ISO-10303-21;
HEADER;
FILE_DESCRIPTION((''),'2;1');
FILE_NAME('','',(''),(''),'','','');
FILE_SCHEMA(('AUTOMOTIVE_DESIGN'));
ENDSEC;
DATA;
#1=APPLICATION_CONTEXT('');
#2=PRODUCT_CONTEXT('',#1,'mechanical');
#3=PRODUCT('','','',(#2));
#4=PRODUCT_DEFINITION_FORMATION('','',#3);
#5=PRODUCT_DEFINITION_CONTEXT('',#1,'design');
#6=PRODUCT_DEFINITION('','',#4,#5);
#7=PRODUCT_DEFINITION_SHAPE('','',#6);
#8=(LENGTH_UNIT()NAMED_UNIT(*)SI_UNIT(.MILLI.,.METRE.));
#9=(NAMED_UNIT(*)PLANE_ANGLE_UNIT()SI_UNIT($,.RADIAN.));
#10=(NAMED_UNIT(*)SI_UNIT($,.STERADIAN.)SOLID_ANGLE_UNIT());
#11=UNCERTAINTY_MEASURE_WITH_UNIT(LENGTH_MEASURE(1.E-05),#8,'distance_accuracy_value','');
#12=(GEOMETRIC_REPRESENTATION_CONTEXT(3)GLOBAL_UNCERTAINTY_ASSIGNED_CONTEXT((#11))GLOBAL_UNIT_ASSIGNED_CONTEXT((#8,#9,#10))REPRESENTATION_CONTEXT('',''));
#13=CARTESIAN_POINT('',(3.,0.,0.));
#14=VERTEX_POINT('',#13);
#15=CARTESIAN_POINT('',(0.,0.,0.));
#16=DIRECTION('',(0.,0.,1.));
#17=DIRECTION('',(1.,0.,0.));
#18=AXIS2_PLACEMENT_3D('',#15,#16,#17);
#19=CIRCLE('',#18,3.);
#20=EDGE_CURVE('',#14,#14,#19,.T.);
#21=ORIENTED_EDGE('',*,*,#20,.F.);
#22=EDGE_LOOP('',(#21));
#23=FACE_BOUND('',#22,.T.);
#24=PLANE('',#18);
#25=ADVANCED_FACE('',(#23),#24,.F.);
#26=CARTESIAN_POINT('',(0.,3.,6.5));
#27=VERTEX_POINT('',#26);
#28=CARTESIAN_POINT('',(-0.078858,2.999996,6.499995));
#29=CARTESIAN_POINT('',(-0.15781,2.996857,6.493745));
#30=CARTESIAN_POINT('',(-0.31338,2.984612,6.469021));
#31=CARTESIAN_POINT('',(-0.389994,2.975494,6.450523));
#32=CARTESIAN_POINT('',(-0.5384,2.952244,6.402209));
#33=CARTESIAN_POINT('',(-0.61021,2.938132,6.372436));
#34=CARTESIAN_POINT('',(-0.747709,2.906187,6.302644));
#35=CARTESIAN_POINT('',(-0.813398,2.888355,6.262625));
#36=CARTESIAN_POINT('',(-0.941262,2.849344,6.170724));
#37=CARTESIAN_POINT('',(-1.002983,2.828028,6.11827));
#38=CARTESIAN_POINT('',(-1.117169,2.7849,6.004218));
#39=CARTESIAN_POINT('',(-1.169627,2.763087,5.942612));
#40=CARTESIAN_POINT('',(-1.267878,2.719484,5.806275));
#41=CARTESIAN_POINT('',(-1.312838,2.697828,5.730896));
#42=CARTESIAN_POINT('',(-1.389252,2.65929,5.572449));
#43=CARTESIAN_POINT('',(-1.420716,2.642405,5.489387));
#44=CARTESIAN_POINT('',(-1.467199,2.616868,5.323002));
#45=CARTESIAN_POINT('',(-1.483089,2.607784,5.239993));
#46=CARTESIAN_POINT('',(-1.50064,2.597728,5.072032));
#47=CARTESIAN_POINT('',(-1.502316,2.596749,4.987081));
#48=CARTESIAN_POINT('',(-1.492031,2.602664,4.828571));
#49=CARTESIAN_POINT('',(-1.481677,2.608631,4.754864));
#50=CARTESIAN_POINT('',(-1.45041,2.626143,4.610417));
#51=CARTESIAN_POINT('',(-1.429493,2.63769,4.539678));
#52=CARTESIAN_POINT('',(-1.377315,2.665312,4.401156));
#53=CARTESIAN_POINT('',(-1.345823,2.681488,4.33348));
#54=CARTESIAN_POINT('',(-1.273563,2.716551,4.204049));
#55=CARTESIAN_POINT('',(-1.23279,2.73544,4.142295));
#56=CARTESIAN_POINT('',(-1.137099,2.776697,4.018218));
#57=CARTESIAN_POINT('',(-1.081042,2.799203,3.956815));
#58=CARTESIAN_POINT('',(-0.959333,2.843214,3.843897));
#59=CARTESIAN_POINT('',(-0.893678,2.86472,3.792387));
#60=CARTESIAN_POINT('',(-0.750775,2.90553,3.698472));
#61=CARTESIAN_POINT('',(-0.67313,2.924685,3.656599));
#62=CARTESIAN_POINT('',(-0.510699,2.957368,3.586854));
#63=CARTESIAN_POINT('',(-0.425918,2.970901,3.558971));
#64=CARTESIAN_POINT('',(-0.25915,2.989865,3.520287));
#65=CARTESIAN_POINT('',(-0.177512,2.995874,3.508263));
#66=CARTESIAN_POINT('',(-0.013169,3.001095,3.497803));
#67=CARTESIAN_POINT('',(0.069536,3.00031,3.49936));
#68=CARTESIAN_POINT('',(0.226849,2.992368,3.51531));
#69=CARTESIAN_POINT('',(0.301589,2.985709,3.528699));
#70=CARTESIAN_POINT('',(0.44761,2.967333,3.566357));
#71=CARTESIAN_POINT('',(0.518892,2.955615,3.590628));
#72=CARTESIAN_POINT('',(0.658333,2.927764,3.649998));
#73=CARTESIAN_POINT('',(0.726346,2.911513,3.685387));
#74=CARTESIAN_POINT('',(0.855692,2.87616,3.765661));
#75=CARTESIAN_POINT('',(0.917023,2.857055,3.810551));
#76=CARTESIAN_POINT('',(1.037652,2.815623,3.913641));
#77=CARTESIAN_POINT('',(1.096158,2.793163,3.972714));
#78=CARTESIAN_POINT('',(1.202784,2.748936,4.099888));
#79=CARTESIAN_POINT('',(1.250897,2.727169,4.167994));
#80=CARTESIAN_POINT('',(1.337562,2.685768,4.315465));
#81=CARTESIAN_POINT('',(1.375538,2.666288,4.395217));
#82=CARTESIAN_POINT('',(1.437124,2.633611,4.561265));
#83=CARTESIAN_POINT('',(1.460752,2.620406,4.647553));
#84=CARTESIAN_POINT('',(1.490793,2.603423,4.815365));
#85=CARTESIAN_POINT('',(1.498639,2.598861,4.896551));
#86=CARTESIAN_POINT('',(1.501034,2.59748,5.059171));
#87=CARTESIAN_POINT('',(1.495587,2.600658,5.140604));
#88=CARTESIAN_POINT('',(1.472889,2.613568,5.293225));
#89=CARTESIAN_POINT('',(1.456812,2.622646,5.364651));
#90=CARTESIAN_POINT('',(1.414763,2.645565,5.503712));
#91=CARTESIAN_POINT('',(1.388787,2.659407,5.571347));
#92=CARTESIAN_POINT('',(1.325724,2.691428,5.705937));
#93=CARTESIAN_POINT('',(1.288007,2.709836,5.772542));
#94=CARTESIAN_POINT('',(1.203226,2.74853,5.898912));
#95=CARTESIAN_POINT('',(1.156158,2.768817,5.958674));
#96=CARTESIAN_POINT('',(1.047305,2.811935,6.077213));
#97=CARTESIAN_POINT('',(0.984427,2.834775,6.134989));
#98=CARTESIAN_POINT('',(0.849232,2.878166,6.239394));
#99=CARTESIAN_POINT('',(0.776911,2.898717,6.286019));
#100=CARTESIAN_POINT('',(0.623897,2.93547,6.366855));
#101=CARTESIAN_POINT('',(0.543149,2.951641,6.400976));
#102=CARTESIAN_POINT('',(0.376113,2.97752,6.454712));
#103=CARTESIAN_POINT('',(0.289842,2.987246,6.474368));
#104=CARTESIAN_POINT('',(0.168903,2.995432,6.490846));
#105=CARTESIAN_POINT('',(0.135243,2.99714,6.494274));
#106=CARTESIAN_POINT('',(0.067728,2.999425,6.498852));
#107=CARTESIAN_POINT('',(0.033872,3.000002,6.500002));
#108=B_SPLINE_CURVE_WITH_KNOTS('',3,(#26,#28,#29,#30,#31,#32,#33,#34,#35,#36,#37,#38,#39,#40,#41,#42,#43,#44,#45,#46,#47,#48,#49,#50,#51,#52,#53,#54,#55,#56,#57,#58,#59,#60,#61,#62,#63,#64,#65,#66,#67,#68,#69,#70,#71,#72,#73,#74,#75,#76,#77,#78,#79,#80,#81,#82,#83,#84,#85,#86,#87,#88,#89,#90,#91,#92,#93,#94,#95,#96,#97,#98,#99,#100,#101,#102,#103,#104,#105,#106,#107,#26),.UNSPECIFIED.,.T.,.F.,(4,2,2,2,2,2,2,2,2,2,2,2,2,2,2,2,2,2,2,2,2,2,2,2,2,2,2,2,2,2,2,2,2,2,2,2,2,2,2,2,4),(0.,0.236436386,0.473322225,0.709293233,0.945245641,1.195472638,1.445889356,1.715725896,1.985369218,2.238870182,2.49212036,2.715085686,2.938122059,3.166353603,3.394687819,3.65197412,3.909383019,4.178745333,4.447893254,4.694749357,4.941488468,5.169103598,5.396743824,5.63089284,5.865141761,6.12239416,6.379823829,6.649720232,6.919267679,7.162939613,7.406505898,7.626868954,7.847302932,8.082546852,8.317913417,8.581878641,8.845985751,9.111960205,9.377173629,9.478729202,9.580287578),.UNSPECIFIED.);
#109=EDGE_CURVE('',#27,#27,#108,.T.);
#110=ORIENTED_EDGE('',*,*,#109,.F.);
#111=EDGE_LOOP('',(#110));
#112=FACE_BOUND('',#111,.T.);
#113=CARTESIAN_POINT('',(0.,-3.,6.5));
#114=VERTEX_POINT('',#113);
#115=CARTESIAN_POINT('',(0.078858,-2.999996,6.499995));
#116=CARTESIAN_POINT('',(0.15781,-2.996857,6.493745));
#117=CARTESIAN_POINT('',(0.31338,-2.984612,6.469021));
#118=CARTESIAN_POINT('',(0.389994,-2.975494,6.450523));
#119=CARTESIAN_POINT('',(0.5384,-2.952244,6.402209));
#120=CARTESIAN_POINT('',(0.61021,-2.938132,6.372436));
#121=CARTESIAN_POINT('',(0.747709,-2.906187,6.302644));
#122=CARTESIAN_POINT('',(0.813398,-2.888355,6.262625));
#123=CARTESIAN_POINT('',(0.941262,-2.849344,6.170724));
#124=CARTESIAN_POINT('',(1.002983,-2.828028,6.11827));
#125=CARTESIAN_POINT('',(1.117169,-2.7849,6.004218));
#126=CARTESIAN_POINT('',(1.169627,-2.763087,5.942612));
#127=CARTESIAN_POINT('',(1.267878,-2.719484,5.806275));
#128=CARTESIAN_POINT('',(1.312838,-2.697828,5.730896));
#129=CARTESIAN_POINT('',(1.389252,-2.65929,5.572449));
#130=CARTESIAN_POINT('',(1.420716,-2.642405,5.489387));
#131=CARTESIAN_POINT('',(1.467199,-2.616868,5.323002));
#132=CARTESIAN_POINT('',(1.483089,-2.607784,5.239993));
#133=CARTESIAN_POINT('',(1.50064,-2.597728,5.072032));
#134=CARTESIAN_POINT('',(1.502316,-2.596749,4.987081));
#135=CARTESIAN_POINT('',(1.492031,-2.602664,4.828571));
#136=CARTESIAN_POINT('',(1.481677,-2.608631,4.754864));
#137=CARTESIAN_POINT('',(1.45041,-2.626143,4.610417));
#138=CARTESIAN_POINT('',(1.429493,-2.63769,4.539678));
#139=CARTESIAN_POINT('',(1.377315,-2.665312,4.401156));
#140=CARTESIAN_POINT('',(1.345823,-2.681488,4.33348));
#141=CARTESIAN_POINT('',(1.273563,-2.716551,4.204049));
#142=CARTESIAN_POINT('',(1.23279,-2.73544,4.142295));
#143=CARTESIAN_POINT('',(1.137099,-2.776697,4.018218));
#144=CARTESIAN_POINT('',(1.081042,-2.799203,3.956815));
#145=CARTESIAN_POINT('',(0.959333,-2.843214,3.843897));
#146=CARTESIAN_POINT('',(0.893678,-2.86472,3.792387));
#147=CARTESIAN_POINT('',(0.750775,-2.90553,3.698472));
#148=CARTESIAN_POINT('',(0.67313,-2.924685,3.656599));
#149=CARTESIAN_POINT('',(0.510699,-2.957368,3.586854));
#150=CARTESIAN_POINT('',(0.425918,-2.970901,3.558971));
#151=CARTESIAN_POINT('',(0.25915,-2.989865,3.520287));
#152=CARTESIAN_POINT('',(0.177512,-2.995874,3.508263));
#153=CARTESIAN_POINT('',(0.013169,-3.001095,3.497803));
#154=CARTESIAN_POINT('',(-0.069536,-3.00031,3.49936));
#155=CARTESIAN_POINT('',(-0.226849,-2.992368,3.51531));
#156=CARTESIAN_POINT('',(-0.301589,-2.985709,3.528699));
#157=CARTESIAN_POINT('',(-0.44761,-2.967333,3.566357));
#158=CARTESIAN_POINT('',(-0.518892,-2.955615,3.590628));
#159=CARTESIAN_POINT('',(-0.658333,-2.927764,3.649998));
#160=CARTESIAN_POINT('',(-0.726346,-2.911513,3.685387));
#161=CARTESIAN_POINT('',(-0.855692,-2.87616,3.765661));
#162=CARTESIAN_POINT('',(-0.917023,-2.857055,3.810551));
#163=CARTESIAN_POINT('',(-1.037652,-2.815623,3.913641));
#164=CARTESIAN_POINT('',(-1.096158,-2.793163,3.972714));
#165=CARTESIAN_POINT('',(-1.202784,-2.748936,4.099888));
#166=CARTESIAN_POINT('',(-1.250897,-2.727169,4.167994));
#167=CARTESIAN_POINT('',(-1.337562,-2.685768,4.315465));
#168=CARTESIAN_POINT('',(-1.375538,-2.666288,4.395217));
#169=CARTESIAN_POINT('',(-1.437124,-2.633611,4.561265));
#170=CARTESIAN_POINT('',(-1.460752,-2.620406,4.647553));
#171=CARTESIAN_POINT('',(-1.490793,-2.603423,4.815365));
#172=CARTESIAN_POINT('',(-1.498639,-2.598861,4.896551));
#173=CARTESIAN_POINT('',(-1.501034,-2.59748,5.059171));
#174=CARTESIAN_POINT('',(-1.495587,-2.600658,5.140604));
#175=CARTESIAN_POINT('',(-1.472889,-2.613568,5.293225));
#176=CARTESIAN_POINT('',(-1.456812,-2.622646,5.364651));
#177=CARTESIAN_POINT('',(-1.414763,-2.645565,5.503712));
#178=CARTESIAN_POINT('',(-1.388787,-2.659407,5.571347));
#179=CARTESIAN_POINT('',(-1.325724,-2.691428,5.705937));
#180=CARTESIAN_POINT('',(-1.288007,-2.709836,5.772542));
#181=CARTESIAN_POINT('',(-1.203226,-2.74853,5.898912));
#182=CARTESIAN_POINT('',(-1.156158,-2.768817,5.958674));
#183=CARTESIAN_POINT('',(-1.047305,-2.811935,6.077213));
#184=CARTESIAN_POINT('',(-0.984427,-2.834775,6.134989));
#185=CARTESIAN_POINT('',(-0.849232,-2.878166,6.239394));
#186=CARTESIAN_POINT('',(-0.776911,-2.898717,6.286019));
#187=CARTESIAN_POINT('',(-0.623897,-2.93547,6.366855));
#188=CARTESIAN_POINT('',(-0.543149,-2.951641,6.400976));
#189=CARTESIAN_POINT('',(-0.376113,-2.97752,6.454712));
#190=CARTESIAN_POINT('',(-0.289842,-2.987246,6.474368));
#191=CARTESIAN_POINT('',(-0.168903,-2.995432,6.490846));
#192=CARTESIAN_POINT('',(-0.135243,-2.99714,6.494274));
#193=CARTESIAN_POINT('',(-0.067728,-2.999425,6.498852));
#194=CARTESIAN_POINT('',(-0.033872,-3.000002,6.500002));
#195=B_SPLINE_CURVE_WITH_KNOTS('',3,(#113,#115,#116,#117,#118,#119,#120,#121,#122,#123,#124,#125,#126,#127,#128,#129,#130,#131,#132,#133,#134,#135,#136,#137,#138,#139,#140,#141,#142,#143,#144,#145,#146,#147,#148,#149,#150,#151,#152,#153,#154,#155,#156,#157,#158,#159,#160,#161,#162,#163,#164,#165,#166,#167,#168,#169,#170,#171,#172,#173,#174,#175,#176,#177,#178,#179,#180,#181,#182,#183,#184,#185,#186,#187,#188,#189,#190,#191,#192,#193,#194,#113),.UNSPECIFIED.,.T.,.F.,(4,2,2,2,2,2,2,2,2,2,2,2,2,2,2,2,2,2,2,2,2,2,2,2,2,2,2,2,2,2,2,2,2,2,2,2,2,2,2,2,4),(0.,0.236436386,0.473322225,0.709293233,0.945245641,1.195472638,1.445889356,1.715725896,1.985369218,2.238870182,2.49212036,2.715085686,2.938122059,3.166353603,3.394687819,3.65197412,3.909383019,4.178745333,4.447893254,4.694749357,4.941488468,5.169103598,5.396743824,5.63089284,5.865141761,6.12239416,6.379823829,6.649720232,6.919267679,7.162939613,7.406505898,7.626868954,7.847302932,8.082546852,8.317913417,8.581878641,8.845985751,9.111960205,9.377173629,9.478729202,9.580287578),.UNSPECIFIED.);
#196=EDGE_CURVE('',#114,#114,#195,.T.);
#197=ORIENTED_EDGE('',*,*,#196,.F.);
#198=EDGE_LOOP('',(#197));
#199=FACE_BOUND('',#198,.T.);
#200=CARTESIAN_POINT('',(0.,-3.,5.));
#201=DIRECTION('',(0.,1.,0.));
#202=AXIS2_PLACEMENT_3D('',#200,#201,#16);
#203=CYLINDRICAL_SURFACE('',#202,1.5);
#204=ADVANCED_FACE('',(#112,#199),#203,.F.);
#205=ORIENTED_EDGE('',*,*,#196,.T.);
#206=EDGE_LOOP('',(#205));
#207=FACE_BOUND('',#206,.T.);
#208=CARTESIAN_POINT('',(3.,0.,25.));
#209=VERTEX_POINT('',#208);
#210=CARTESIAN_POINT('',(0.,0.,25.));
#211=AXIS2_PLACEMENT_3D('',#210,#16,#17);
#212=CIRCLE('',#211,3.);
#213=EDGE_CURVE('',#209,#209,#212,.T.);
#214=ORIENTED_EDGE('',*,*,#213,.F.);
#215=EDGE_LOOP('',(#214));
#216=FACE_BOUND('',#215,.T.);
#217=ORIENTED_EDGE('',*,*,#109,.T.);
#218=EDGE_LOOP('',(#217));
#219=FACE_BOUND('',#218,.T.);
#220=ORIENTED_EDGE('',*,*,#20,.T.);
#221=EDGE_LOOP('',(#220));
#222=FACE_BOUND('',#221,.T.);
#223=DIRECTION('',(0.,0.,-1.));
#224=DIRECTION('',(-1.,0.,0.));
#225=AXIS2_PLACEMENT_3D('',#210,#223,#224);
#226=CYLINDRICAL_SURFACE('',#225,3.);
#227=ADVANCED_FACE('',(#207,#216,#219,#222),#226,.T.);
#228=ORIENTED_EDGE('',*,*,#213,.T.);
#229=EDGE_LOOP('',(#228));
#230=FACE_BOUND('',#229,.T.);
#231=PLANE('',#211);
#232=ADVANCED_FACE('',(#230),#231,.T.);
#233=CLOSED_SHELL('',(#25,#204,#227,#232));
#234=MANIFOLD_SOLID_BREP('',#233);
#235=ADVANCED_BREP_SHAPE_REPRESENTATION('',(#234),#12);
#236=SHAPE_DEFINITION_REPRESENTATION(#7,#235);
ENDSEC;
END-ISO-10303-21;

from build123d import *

# Parameters (mm, degrees)
SKETCH1_R               = 3
BOSS_EXTRUDE1_DEPTH     = 25
CUT_EXTRUDE1_DEPTH      = 26.357444666
CUT_EXTRUDE1_DEPTH_BACK = 26.357444666
SKETCH2_R               = 1.5


with BuildPart() as part:
    # Sketch1 → Boss-Extrude1 (new body)
    with BuildSketch(Plane.XY):
        Circle(SKETCH1_R)
    extrude(amount=BOSS_EXTRUDE1_DEPTH)

    # Sketch2 → Cut-Extrude1 (cut, two sides: drawn at the far end of the back side and taken through both)
    with BuildSketch(Plane(origin=(0, 0, 0), x_dir=(1, 0, 0), z_dir=(0, 1, 0)).offset(-CUT_EXTRUDE1_DEPTH_BACK)):
        with Locations(Location((0, -5, 0), (0, 0, 270))):
            Circle(SKETCH2_R)
    extrude(amount=CUT_EXTRUDE1_DEPTH + CUT_EXTRUDE1_DEPTH_BACK, mode=Mode.SUBTRACT)


solid = part.part
